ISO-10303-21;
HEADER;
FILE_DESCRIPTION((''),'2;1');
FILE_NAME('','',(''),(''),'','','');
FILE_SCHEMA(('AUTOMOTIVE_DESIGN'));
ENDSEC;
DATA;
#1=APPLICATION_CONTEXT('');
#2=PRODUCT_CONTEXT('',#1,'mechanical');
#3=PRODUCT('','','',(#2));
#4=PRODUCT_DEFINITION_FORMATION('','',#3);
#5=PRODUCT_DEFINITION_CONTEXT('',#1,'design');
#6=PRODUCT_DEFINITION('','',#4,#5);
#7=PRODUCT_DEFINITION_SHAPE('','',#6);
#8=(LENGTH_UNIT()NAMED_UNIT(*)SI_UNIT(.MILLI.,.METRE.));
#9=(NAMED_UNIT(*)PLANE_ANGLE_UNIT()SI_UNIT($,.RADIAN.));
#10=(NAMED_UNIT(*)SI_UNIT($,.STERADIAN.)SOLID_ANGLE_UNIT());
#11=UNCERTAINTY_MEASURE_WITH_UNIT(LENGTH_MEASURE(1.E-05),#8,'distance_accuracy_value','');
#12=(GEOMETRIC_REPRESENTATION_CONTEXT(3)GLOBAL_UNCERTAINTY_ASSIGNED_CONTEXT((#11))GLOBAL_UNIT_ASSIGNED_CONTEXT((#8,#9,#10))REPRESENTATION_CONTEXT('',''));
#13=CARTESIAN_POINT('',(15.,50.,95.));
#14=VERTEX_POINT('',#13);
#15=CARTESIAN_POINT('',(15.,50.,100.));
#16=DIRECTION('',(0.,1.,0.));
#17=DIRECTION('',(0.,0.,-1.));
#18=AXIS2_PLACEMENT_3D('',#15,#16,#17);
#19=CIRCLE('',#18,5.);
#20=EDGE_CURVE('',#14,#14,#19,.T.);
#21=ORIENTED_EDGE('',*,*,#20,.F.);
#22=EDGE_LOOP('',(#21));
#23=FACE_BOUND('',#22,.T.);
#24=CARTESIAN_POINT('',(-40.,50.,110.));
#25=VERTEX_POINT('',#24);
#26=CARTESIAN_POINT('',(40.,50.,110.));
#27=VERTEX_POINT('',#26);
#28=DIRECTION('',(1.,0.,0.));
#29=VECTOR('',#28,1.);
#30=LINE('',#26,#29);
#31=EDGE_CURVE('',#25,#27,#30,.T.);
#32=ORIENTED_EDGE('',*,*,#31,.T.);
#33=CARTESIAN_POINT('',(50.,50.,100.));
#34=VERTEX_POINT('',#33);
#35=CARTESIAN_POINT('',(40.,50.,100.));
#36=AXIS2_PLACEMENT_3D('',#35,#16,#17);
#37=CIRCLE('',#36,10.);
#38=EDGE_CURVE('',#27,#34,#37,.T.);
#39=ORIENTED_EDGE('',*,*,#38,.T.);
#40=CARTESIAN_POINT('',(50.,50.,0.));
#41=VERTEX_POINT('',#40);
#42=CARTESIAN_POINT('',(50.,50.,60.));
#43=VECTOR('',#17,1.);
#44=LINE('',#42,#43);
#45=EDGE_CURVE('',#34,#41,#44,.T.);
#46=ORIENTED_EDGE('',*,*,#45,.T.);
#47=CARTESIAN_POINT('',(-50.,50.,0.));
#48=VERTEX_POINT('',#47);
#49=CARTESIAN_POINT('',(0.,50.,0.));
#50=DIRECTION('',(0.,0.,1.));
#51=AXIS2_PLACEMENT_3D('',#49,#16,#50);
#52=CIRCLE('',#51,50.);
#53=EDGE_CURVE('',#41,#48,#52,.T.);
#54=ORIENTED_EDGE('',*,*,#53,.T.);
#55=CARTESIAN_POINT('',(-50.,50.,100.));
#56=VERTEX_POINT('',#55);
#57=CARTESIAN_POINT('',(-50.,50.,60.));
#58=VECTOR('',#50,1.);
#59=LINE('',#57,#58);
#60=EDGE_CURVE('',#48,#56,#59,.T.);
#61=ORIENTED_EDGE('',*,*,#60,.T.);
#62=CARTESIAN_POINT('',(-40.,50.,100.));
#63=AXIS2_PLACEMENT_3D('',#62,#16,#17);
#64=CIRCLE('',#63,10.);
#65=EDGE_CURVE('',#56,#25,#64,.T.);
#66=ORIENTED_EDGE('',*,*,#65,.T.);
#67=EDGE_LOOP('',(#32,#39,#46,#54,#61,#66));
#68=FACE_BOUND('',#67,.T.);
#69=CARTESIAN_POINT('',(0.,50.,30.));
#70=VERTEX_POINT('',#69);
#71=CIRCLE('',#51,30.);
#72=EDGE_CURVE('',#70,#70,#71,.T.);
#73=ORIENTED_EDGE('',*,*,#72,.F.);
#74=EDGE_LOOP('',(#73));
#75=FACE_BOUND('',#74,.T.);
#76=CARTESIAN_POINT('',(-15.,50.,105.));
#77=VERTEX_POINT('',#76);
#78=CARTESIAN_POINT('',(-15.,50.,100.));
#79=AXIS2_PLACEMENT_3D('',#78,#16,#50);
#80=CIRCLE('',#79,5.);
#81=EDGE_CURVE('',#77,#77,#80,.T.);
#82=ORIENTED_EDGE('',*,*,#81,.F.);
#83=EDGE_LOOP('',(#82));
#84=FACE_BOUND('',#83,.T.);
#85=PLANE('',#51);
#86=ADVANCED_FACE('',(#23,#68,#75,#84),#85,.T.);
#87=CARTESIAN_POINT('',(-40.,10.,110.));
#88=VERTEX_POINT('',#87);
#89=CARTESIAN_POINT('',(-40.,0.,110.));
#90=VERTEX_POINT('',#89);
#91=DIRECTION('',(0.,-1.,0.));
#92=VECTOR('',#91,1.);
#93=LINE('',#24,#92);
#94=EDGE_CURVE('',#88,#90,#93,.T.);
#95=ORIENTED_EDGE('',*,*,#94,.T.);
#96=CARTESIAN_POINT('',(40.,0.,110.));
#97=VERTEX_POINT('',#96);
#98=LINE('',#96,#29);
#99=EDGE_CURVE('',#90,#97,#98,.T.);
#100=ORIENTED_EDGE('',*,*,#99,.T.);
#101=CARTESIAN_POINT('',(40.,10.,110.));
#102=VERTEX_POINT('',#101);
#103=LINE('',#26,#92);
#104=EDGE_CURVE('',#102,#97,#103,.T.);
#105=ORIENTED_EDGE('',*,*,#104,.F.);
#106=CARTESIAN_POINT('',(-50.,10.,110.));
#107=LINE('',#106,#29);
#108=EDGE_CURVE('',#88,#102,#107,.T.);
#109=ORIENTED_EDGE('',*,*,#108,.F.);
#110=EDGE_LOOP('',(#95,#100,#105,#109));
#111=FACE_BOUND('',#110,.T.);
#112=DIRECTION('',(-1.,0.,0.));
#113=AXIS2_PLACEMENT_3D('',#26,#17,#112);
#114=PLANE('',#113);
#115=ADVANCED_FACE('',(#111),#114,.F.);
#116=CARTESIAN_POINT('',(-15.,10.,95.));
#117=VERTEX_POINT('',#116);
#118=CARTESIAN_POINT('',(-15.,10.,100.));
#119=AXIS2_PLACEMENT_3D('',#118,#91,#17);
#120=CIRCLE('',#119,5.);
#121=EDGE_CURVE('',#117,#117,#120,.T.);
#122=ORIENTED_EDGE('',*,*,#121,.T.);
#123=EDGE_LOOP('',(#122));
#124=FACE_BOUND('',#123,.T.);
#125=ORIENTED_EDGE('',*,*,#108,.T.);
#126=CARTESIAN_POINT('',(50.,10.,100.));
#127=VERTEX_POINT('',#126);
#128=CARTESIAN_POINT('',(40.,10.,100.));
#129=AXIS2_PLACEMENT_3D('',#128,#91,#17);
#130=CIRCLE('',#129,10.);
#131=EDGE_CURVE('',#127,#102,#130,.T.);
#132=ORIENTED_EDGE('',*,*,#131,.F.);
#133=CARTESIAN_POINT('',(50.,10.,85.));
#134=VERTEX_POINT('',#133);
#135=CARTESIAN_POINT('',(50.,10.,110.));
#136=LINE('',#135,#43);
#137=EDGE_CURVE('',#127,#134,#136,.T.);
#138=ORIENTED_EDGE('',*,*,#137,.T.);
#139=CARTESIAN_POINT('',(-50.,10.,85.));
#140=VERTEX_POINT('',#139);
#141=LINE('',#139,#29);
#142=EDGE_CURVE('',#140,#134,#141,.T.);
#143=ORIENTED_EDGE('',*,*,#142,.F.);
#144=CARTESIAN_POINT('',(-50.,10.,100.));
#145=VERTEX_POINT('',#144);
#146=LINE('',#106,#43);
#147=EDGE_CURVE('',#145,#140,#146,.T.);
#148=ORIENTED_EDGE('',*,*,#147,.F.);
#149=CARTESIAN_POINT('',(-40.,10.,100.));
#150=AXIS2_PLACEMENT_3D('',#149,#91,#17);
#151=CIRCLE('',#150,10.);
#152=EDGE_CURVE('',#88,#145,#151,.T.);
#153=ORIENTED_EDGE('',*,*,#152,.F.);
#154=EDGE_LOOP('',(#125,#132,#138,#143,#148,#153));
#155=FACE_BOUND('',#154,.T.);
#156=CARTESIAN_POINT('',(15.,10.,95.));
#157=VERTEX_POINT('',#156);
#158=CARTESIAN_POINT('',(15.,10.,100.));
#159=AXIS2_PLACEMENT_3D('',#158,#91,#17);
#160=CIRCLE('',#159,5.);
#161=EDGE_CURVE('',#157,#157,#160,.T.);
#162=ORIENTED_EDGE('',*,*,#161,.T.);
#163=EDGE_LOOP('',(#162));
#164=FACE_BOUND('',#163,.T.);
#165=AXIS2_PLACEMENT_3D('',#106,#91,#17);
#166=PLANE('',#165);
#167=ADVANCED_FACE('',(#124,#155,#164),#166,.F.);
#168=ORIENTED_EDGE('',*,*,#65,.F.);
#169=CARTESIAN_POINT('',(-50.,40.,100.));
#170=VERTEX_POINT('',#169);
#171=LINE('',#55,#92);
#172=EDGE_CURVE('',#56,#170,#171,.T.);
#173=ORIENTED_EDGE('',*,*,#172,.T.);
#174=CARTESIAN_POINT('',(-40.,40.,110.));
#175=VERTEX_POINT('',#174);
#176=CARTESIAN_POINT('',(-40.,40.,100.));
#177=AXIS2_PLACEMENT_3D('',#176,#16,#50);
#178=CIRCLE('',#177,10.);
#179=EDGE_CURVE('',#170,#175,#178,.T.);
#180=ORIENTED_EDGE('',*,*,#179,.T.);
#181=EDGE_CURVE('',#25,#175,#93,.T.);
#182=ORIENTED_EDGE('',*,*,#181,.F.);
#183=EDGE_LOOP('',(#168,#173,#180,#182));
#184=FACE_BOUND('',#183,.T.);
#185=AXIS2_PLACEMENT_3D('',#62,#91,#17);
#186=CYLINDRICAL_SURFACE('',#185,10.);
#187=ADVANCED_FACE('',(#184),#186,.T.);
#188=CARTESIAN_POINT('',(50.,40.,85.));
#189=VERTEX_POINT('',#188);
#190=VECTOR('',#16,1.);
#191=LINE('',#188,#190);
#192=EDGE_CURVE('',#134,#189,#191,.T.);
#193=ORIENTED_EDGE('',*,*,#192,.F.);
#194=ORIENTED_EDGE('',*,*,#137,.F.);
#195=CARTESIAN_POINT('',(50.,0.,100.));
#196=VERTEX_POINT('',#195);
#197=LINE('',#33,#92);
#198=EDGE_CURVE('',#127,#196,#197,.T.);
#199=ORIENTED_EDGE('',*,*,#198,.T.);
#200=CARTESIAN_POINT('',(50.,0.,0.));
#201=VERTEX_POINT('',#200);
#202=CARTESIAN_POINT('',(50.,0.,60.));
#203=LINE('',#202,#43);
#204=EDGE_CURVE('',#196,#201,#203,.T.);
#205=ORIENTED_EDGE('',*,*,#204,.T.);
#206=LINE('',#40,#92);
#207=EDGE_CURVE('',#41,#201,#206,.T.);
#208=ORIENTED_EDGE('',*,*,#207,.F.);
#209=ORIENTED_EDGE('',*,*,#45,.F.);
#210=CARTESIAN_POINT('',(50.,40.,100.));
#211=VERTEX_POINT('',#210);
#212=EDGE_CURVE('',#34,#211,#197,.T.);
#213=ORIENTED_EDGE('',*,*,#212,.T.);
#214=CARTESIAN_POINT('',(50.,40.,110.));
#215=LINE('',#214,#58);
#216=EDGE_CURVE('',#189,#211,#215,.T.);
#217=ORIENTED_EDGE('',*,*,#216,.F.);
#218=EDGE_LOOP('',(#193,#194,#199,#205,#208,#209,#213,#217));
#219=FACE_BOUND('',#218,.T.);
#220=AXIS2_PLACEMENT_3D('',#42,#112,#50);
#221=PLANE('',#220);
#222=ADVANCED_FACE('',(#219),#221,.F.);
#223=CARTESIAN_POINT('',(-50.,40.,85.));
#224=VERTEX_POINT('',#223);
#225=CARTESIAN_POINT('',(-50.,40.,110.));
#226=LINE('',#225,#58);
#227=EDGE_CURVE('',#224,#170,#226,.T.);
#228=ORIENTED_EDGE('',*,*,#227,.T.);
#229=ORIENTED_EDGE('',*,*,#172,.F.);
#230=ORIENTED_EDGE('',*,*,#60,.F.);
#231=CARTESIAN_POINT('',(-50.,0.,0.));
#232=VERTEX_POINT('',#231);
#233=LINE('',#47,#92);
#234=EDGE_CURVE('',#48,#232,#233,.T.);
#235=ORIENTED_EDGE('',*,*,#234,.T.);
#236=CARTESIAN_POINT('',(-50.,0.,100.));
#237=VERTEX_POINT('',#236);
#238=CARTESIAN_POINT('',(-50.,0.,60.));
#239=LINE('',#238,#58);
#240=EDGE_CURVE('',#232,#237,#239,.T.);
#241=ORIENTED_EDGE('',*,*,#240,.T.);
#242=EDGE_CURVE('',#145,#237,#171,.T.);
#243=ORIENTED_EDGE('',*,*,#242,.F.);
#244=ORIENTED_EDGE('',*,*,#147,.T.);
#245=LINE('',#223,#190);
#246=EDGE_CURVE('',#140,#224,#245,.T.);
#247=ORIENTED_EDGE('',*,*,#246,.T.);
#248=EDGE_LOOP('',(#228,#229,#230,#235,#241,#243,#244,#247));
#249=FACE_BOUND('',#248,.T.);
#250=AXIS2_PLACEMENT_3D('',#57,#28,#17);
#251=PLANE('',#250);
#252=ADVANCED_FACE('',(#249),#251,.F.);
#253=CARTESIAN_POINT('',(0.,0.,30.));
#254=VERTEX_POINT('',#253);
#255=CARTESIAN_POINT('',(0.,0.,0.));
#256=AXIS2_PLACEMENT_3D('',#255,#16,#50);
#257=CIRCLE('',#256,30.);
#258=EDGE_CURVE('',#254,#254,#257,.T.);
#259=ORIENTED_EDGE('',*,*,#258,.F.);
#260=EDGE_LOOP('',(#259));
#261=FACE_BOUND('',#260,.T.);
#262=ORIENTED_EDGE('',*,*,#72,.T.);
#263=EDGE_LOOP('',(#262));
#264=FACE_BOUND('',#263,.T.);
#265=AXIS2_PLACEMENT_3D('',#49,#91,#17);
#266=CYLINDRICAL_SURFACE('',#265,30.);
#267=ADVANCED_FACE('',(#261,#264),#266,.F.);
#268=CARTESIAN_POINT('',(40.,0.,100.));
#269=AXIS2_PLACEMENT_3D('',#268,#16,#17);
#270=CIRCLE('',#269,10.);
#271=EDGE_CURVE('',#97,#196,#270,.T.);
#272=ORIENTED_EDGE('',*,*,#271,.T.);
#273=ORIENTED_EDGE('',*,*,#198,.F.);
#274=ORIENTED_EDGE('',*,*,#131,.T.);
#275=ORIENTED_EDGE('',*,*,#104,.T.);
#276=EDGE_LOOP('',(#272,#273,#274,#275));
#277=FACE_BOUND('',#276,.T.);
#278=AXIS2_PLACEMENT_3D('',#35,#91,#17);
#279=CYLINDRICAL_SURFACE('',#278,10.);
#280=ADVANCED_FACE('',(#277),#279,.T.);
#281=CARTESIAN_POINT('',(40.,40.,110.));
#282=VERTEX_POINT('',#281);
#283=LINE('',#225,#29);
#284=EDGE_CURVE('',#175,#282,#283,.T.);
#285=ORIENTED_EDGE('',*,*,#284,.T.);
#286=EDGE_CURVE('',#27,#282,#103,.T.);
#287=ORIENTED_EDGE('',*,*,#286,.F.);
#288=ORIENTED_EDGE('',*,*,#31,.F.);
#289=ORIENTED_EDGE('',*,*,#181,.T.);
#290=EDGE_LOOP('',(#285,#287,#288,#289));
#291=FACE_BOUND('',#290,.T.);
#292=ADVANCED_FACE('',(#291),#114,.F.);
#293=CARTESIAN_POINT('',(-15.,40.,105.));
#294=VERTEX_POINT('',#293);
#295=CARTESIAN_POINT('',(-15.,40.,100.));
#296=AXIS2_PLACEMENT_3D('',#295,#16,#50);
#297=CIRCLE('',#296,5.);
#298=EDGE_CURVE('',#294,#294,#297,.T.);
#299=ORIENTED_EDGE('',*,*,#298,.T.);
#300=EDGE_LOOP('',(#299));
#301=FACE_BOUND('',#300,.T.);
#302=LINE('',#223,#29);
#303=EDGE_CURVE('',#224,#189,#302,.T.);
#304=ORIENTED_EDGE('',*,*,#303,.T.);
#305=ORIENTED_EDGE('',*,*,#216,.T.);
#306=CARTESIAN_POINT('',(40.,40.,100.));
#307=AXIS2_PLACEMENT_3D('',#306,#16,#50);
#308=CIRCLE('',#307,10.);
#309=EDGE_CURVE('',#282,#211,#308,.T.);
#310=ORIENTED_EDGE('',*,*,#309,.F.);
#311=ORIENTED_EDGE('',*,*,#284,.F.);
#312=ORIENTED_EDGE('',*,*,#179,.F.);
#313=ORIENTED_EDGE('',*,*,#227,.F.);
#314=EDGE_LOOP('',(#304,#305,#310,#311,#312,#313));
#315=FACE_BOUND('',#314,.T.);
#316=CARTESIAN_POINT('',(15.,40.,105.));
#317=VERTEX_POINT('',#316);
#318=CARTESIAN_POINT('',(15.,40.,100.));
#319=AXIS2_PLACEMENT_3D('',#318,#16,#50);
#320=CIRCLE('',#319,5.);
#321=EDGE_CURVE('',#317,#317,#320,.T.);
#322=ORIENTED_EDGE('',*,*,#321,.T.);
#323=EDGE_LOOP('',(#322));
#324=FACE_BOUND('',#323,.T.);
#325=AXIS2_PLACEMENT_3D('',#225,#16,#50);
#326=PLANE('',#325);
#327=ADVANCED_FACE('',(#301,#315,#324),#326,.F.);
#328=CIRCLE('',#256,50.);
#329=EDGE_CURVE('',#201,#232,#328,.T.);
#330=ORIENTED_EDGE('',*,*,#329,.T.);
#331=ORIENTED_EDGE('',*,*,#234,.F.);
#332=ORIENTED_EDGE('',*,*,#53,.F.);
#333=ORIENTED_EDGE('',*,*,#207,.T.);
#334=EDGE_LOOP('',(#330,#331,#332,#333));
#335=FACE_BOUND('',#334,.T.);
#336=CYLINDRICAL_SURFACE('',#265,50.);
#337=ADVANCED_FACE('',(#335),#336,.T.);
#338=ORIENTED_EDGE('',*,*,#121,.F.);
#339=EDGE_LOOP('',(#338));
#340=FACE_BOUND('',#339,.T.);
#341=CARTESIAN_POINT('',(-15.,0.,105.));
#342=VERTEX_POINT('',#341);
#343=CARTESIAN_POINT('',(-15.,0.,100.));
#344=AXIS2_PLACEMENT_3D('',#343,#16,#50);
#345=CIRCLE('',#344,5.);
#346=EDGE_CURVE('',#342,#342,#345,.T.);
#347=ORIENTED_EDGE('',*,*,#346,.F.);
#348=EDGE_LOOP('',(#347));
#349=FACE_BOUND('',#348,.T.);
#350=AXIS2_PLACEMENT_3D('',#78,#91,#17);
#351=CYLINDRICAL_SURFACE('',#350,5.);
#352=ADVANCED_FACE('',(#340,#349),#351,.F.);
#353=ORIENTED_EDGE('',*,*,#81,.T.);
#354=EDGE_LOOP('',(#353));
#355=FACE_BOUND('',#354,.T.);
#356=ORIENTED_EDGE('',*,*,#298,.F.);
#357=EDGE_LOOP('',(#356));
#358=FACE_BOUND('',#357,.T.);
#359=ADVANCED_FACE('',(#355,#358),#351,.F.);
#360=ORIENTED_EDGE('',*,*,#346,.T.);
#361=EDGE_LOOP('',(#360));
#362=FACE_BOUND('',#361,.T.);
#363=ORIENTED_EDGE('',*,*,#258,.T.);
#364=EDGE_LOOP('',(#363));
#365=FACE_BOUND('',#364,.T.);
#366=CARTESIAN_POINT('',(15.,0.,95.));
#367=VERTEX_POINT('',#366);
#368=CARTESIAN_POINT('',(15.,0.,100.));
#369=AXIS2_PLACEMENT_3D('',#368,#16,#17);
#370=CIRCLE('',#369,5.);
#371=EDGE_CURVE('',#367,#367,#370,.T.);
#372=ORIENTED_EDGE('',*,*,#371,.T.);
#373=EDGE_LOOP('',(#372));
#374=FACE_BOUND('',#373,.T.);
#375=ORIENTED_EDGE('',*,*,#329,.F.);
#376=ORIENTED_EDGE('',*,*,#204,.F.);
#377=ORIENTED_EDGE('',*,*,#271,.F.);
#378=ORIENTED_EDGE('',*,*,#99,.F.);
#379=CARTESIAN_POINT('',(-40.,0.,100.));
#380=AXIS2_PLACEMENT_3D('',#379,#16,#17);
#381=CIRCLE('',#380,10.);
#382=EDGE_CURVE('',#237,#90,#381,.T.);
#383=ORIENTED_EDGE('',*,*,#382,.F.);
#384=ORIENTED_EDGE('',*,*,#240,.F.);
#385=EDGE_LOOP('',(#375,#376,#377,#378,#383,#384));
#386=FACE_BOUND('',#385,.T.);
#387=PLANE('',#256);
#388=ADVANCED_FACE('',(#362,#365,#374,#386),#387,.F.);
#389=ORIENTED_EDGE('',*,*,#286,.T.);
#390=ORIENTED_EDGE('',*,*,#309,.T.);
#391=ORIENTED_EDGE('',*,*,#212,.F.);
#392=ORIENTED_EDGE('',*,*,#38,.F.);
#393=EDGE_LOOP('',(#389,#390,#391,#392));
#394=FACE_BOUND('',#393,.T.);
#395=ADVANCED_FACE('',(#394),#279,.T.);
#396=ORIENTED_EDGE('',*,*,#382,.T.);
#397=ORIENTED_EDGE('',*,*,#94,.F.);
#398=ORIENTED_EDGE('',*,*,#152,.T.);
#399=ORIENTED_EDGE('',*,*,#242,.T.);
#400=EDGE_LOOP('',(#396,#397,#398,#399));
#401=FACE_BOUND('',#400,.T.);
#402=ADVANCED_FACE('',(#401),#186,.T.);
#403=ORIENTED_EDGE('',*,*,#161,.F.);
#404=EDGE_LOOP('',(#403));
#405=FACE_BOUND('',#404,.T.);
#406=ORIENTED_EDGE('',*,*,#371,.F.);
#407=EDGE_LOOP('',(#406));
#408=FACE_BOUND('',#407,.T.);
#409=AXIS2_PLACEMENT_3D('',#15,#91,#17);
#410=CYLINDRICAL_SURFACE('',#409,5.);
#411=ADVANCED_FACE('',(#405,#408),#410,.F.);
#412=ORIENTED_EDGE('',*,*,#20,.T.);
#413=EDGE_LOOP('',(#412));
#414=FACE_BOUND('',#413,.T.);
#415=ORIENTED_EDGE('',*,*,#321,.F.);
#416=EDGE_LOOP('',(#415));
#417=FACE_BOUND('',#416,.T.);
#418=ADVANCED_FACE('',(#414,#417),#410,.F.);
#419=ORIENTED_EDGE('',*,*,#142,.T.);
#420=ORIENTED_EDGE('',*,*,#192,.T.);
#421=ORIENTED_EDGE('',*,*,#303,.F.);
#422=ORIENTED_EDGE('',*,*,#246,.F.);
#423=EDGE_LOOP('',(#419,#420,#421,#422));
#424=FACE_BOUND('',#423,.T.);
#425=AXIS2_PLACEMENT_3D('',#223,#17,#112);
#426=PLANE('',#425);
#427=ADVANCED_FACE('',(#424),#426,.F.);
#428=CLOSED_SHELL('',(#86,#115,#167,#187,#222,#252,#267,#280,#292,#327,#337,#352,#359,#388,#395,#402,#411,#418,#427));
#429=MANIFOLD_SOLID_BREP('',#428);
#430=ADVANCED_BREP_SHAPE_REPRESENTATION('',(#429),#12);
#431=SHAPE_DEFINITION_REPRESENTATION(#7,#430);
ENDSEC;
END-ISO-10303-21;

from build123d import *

# Parameters (mm, degrees)
SKETCH1_R           = 30
SKETCH1_R_2         = 5
BOSS_EXTRUDE1_DEPTH = 50
SKETCH2_W           = 25
SKETCH2_H           = 30
CUT_EXTRUDE1_DEPTH  = 101


with BuildPart() as part:
    # Sketch1 → Boss-Extrude1 (new body)
    with BuildSketch(Plane(origin=(0, 0, 0), x_dir=(1, 0, 0), z_dir=(0, 1, 0))):
        with BuildLine():
            Line((-50, -60), (-50, 0))
            ThreePointArc((-50, 0), (0, 50), (50, 0))
            Line((50, 0), (50, -60))
            Line((50, -60), (50, -100))
            ThreePointArc((50, -100), (47.071067812, -107.071067812), (40, -110))
            Line((40, -110), (-40, -110))
            ThreePointArc((-40, -110), (-47.071067812, -107.071067812), (-50, -100))
            Line((-50, -100), (-50, -60))
        make_face()
        Circle(SKETCH1_R, mode=Mode.SUBTRACT)
        with Locations((-15, -100)):
            Circle(SKETCH1_R_2, mode=Mode.SUBTRACT)
        with Locations((15, -100)):
            Circle(SKETCH1_R_2, mode=Mode.SUBTRACT)
    extrude(amount=BOSS_EXTRUDE1_DEPTH)

    # Sketch2 → Cut-Extrude1 (cut, through all)
    with BuildSketch(Plane(origin=(50, 0, 0), x_dir=(0, 0, -1), z_dir=(1, 0, 0))):
        with Locations((-97.5, 25)):
            Rectangle(SKETCH2_W, SKETCH2_H)
    extrude(amount=-CUT_EXTRUDE1_DEPTH, mode=Mode.SUBTRACT)


solid = part.part
